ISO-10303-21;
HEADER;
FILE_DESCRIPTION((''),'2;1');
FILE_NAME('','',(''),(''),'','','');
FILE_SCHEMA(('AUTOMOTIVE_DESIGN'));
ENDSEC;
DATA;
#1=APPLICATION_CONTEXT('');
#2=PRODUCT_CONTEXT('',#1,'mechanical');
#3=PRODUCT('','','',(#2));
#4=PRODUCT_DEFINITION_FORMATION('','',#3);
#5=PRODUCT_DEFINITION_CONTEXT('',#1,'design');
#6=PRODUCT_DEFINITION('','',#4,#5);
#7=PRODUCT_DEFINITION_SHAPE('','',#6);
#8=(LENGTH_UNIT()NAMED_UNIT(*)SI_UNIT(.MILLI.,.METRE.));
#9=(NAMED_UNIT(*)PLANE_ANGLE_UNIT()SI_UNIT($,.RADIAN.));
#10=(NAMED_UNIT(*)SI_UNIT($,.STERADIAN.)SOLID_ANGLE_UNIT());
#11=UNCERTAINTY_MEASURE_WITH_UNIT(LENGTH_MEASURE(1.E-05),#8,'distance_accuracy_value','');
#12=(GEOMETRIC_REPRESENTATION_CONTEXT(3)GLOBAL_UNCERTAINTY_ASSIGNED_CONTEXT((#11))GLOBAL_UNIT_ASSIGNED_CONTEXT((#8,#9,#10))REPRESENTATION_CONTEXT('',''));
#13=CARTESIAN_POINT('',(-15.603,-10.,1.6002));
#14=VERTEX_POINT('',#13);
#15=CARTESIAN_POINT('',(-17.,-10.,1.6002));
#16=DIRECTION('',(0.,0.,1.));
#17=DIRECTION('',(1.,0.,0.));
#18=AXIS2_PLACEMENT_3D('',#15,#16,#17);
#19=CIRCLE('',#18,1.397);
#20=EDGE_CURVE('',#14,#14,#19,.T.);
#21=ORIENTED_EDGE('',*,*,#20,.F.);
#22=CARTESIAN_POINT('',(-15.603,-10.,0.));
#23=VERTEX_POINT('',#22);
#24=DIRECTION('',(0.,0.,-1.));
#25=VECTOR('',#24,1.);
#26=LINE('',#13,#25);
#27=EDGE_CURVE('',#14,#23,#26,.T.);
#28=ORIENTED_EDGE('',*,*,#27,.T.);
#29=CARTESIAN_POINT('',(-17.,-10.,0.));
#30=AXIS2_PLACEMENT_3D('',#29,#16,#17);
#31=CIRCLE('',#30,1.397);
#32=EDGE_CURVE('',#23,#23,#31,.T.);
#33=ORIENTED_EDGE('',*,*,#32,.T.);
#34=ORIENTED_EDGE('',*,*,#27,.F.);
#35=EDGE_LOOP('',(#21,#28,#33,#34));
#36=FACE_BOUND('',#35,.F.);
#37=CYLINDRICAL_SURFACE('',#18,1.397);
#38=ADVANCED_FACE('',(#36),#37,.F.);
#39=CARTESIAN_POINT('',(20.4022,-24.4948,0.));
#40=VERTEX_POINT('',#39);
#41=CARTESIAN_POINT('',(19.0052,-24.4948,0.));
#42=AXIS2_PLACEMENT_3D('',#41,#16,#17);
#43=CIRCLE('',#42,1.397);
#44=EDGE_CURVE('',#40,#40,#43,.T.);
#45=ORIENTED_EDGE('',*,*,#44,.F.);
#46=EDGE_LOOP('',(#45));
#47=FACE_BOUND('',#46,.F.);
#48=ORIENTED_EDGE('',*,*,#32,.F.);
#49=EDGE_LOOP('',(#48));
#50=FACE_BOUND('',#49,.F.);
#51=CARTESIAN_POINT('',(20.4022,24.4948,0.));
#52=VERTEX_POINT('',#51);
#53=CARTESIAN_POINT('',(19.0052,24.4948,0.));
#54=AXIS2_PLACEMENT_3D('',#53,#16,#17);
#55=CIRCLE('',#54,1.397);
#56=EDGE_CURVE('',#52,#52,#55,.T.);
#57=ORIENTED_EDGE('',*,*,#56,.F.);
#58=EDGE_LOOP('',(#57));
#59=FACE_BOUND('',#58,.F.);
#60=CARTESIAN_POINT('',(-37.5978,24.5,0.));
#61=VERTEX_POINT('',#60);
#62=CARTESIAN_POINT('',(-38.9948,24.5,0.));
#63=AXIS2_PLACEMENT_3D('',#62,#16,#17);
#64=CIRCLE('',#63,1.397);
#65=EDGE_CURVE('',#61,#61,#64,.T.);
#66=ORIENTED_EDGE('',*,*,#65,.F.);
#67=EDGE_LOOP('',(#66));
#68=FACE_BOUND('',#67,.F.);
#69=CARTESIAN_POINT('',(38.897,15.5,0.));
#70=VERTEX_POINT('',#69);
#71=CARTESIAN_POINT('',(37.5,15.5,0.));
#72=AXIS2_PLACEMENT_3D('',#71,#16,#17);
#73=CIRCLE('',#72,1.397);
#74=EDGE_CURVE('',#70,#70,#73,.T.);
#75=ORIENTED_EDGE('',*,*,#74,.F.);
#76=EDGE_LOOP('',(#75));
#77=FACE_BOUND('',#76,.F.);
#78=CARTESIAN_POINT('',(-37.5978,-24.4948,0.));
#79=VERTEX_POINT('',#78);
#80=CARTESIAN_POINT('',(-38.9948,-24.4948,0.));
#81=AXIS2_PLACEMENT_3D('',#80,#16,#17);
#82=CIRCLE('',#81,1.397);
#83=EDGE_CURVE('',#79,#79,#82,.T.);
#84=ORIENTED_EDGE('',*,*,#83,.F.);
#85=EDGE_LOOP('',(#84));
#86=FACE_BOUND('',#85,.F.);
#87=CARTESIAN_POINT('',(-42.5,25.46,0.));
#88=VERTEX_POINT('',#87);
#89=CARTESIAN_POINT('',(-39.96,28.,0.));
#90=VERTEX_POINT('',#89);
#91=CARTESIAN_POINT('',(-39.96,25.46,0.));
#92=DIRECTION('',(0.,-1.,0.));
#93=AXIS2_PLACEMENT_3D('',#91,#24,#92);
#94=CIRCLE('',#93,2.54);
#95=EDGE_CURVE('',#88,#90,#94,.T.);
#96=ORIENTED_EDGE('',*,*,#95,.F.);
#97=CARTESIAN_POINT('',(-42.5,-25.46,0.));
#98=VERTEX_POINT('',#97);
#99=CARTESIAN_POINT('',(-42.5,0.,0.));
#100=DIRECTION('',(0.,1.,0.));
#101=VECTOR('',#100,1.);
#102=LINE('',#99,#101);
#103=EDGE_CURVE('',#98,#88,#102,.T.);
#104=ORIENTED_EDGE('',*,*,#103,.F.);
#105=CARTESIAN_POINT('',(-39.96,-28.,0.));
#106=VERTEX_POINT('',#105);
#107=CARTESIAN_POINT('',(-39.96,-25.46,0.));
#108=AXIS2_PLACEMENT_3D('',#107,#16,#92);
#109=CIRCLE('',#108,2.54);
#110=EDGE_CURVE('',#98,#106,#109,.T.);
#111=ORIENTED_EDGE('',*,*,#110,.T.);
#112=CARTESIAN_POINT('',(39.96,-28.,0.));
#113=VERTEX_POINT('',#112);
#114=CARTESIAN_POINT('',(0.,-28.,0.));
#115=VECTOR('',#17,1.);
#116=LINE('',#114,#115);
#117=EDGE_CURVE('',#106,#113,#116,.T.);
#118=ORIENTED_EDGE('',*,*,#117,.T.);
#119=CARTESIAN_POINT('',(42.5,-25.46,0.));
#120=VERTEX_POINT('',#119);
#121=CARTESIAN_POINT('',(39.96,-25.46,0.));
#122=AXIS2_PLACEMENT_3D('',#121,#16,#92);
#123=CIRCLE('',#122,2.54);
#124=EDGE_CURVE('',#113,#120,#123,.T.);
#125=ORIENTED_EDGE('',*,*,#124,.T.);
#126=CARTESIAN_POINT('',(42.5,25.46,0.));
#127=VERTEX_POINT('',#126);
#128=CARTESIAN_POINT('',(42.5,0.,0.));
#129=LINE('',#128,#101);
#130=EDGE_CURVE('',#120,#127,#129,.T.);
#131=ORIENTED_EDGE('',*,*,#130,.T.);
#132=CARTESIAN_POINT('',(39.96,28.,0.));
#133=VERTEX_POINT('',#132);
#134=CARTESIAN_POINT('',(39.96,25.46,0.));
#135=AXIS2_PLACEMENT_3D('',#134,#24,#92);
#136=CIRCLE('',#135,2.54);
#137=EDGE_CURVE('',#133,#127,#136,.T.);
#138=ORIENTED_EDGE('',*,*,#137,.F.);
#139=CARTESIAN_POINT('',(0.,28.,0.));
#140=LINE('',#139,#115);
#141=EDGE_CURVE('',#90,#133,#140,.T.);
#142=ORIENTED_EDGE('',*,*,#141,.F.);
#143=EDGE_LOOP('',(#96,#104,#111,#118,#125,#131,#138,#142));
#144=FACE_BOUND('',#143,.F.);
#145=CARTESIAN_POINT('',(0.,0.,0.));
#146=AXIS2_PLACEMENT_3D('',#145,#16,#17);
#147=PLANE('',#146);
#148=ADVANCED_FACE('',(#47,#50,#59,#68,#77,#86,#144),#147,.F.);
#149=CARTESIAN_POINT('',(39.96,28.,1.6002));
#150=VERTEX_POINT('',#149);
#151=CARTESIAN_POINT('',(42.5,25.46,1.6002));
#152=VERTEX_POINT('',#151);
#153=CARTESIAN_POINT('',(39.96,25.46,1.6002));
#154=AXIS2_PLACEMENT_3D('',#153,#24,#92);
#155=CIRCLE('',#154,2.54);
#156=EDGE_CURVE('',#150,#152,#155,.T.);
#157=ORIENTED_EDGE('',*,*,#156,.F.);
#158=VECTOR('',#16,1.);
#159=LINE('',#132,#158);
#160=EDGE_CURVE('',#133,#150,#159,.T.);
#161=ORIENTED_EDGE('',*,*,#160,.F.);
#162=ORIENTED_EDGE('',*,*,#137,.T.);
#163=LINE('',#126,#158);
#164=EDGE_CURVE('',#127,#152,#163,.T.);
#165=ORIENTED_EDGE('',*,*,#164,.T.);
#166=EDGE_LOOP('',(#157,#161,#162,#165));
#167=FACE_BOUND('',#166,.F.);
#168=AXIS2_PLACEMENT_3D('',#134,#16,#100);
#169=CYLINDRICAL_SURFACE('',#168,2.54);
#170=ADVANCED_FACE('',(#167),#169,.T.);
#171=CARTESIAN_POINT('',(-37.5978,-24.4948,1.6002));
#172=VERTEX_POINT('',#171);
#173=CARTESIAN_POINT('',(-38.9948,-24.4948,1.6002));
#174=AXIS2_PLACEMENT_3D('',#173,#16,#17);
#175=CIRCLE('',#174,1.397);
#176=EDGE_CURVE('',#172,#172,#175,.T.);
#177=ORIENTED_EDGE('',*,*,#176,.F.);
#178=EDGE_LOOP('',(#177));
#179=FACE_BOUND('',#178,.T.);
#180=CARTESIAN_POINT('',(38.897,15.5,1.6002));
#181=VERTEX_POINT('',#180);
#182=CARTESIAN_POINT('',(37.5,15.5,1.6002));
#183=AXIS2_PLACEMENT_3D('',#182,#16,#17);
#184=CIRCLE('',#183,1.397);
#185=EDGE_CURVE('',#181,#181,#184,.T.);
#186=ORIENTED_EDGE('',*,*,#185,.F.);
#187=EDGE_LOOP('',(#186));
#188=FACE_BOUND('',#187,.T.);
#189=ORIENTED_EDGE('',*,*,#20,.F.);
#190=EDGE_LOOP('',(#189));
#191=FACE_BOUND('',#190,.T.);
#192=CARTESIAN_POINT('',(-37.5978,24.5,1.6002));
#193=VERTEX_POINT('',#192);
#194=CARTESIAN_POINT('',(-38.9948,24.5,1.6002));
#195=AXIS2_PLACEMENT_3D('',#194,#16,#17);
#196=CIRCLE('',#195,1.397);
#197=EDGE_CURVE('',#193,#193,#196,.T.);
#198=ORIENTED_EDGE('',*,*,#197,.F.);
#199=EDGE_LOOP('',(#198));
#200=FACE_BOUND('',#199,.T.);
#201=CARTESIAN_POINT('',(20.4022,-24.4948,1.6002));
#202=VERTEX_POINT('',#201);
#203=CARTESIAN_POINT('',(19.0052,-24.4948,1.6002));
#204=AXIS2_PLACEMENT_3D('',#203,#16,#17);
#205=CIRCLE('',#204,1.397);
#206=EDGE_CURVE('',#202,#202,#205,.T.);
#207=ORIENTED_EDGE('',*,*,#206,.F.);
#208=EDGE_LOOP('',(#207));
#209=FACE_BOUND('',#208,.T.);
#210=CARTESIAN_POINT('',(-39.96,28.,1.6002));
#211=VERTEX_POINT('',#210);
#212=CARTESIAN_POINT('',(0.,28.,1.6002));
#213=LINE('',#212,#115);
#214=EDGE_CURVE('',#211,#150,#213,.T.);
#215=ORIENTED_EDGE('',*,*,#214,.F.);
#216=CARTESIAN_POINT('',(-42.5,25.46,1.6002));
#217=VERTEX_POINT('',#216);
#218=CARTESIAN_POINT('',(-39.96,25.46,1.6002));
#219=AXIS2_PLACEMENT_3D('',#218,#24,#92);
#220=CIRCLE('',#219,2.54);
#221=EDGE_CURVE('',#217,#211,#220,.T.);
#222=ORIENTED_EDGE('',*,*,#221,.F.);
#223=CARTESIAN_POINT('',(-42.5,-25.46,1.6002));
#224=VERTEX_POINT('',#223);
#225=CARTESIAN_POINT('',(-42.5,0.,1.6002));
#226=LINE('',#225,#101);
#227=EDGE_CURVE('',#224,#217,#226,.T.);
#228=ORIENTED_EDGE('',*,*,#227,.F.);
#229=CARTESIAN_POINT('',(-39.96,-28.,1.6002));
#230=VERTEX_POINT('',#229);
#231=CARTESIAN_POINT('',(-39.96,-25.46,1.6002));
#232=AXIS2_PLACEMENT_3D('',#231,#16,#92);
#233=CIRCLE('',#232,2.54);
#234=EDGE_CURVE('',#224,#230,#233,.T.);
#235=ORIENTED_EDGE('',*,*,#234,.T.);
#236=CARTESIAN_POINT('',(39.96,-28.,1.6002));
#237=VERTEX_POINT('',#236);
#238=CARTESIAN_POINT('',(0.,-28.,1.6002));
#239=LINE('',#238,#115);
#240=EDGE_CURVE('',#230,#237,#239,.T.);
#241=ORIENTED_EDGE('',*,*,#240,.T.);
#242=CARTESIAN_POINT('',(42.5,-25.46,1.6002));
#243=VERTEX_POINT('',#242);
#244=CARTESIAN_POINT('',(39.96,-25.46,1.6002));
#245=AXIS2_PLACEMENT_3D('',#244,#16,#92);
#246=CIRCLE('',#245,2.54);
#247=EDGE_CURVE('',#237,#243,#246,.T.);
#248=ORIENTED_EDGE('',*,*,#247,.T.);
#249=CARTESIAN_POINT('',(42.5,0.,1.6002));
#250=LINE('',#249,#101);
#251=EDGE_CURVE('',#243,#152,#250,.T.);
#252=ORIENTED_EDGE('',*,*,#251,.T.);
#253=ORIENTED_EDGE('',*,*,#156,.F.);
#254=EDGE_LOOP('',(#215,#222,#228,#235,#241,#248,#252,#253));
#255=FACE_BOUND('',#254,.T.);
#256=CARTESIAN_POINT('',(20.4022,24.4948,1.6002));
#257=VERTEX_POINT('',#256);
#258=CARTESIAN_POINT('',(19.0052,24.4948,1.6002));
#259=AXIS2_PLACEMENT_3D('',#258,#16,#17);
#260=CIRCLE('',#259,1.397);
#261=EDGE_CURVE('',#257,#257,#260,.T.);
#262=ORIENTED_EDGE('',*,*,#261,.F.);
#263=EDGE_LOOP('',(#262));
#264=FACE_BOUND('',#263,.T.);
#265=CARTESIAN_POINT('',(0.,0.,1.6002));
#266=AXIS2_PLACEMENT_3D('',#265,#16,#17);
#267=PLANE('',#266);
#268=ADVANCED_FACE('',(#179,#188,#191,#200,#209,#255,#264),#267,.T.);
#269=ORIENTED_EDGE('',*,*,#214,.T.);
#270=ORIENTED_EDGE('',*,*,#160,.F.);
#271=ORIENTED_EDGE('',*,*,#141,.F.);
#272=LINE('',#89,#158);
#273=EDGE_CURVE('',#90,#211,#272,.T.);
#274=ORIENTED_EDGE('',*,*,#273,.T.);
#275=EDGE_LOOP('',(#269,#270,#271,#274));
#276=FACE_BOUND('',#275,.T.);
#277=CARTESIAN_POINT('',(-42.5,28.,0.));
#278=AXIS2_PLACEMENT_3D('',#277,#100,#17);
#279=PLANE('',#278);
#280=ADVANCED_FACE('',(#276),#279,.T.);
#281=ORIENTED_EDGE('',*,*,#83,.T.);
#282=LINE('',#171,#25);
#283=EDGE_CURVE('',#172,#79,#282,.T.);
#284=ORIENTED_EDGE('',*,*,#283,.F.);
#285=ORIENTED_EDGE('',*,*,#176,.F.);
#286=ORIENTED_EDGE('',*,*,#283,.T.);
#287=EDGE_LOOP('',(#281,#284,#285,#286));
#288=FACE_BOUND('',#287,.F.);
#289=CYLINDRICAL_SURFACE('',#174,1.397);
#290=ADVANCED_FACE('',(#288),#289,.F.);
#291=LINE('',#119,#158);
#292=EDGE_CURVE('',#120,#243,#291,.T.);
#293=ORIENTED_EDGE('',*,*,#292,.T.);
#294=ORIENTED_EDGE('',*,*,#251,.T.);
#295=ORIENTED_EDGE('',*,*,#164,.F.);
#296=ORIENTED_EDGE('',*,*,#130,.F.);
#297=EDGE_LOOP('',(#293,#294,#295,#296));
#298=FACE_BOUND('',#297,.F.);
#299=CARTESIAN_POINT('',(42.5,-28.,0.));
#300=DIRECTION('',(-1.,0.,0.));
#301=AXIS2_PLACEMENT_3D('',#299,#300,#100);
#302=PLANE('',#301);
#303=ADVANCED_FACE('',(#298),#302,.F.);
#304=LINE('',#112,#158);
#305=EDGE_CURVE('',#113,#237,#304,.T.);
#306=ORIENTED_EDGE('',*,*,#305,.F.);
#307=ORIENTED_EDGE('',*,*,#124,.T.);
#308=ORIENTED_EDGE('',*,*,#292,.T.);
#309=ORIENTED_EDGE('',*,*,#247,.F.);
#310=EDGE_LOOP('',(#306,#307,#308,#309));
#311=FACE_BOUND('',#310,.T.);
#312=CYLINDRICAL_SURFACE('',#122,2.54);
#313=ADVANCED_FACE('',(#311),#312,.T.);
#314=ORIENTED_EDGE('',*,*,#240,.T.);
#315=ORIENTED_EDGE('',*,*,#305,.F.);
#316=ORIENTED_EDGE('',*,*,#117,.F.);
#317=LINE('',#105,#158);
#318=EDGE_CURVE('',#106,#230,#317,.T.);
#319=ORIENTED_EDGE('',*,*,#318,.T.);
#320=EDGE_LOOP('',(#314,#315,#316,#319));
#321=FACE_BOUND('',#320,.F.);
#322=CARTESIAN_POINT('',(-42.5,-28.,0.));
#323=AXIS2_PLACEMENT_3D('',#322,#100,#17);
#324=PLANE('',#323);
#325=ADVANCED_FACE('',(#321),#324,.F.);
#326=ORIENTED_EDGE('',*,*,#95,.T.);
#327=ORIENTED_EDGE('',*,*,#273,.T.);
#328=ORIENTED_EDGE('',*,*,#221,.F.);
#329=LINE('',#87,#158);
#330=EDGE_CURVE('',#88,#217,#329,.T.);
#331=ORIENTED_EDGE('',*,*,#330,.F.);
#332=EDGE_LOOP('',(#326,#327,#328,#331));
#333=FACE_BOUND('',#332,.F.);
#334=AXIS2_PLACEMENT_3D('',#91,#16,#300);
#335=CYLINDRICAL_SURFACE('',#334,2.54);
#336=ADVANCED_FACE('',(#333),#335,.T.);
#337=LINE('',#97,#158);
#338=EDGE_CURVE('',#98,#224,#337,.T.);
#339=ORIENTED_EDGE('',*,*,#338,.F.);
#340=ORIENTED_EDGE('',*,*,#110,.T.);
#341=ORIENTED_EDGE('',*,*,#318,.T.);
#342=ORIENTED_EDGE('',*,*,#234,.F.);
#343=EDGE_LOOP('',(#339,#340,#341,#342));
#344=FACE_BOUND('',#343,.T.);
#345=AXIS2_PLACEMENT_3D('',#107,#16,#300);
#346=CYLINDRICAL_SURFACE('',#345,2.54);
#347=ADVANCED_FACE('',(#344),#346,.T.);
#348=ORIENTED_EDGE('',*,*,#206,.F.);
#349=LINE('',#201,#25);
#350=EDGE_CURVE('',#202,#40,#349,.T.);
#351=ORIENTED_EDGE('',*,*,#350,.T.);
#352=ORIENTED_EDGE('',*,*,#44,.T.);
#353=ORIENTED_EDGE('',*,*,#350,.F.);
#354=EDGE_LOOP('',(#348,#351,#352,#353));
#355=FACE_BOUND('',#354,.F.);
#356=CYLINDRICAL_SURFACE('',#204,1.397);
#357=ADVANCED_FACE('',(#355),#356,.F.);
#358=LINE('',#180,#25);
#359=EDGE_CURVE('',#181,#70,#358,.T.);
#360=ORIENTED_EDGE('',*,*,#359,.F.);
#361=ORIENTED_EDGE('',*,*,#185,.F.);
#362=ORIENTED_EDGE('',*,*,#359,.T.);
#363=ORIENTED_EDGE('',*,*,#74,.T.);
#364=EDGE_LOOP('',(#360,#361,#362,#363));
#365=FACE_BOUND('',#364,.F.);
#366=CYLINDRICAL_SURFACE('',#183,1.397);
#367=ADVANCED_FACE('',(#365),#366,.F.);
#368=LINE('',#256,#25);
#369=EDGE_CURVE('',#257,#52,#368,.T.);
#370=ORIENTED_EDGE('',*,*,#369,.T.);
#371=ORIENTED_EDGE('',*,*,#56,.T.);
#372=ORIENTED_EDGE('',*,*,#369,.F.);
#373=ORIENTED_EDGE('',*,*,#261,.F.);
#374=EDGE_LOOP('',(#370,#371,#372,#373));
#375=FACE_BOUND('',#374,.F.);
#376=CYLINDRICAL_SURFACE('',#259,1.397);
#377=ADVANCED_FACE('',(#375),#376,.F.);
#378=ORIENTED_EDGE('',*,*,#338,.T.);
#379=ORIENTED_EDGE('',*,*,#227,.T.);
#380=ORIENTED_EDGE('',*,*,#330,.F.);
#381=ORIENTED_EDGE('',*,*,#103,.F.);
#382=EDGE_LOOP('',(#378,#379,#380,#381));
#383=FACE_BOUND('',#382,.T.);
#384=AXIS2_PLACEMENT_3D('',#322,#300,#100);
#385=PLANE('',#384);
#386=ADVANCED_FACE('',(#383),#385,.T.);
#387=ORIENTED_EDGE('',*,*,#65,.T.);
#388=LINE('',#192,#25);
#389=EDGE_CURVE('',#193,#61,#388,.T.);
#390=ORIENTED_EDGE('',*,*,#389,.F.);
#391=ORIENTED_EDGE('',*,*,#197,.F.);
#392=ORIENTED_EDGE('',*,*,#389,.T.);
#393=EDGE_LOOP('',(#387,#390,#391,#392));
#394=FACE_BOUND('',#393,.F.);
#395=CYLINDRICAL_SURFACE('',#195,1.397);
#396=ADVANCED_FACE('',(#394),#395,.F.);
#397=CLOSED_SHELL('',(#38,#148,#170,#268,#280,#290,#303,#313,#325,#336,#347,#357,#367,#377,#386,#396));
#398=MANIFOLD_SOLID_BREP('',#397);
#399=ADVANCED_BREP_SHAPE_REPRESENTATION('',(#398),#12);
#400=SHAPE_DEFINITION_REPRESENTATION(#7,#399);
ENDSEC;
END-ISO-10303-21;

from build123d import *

# Parameters (mm, degrees)
F0_W     = 85
F0_H     = 56
F1_DEPTH = 1.6002
F2_R     = 1.397
F3_DEPTH = 25.4
F4_R     = 1.397
F5_DEPTH = 25.4
F6_R     = 2.54


with BuildPart() as f1:
    # F0 (on Top) → F1 (new body)
    with BuildSketch(Plane.XY):
        Rectangle(F0_W, F0_H)
    extrude(amount=F1_DEPTH)

    # F2 (on face) → F3 (cut)
    with BuildSketch(Plane.XY.offset(1.6002)):
        with Locations((-38.9948, 24.5)):
            Circle(F2_R)
        with Locations((-38.9948, -24.4948)):
            Circle(F2_R)
        with Locations((19.0052, 24.4948)):
            Circle(F2_R)
        with Locations((19.0052, -24.4948)):
            Circle(F2_R)
    extrude(amount=-F3_DEPTH, mode=Mode.SUBTRACT)

    # F4 (on face) → F5 (cut)
    with BuildSketch(Plane.XY.offset(1.6002)):
        with Locations((-17, -10)):
            Circle(F4_R)
        with Locations((37.5, 15.5)):
            Circle(F4_R)
    extrude(amount=-F5_DEPTH, mode=Mode.SUBTRACT)

    # F6
    f6_edges = [f1.edges().sort_by_distance(p)[0] for p in [
        (-42.5, -28, 0.8001),
        (42.5, -28, 0.8001),
        (42.5, 28, 0.8001),
        (-42.5, 28, 0.8001),
    ]]
    fillet(f6_edges, radius=F6_R)


solid = f1.part
